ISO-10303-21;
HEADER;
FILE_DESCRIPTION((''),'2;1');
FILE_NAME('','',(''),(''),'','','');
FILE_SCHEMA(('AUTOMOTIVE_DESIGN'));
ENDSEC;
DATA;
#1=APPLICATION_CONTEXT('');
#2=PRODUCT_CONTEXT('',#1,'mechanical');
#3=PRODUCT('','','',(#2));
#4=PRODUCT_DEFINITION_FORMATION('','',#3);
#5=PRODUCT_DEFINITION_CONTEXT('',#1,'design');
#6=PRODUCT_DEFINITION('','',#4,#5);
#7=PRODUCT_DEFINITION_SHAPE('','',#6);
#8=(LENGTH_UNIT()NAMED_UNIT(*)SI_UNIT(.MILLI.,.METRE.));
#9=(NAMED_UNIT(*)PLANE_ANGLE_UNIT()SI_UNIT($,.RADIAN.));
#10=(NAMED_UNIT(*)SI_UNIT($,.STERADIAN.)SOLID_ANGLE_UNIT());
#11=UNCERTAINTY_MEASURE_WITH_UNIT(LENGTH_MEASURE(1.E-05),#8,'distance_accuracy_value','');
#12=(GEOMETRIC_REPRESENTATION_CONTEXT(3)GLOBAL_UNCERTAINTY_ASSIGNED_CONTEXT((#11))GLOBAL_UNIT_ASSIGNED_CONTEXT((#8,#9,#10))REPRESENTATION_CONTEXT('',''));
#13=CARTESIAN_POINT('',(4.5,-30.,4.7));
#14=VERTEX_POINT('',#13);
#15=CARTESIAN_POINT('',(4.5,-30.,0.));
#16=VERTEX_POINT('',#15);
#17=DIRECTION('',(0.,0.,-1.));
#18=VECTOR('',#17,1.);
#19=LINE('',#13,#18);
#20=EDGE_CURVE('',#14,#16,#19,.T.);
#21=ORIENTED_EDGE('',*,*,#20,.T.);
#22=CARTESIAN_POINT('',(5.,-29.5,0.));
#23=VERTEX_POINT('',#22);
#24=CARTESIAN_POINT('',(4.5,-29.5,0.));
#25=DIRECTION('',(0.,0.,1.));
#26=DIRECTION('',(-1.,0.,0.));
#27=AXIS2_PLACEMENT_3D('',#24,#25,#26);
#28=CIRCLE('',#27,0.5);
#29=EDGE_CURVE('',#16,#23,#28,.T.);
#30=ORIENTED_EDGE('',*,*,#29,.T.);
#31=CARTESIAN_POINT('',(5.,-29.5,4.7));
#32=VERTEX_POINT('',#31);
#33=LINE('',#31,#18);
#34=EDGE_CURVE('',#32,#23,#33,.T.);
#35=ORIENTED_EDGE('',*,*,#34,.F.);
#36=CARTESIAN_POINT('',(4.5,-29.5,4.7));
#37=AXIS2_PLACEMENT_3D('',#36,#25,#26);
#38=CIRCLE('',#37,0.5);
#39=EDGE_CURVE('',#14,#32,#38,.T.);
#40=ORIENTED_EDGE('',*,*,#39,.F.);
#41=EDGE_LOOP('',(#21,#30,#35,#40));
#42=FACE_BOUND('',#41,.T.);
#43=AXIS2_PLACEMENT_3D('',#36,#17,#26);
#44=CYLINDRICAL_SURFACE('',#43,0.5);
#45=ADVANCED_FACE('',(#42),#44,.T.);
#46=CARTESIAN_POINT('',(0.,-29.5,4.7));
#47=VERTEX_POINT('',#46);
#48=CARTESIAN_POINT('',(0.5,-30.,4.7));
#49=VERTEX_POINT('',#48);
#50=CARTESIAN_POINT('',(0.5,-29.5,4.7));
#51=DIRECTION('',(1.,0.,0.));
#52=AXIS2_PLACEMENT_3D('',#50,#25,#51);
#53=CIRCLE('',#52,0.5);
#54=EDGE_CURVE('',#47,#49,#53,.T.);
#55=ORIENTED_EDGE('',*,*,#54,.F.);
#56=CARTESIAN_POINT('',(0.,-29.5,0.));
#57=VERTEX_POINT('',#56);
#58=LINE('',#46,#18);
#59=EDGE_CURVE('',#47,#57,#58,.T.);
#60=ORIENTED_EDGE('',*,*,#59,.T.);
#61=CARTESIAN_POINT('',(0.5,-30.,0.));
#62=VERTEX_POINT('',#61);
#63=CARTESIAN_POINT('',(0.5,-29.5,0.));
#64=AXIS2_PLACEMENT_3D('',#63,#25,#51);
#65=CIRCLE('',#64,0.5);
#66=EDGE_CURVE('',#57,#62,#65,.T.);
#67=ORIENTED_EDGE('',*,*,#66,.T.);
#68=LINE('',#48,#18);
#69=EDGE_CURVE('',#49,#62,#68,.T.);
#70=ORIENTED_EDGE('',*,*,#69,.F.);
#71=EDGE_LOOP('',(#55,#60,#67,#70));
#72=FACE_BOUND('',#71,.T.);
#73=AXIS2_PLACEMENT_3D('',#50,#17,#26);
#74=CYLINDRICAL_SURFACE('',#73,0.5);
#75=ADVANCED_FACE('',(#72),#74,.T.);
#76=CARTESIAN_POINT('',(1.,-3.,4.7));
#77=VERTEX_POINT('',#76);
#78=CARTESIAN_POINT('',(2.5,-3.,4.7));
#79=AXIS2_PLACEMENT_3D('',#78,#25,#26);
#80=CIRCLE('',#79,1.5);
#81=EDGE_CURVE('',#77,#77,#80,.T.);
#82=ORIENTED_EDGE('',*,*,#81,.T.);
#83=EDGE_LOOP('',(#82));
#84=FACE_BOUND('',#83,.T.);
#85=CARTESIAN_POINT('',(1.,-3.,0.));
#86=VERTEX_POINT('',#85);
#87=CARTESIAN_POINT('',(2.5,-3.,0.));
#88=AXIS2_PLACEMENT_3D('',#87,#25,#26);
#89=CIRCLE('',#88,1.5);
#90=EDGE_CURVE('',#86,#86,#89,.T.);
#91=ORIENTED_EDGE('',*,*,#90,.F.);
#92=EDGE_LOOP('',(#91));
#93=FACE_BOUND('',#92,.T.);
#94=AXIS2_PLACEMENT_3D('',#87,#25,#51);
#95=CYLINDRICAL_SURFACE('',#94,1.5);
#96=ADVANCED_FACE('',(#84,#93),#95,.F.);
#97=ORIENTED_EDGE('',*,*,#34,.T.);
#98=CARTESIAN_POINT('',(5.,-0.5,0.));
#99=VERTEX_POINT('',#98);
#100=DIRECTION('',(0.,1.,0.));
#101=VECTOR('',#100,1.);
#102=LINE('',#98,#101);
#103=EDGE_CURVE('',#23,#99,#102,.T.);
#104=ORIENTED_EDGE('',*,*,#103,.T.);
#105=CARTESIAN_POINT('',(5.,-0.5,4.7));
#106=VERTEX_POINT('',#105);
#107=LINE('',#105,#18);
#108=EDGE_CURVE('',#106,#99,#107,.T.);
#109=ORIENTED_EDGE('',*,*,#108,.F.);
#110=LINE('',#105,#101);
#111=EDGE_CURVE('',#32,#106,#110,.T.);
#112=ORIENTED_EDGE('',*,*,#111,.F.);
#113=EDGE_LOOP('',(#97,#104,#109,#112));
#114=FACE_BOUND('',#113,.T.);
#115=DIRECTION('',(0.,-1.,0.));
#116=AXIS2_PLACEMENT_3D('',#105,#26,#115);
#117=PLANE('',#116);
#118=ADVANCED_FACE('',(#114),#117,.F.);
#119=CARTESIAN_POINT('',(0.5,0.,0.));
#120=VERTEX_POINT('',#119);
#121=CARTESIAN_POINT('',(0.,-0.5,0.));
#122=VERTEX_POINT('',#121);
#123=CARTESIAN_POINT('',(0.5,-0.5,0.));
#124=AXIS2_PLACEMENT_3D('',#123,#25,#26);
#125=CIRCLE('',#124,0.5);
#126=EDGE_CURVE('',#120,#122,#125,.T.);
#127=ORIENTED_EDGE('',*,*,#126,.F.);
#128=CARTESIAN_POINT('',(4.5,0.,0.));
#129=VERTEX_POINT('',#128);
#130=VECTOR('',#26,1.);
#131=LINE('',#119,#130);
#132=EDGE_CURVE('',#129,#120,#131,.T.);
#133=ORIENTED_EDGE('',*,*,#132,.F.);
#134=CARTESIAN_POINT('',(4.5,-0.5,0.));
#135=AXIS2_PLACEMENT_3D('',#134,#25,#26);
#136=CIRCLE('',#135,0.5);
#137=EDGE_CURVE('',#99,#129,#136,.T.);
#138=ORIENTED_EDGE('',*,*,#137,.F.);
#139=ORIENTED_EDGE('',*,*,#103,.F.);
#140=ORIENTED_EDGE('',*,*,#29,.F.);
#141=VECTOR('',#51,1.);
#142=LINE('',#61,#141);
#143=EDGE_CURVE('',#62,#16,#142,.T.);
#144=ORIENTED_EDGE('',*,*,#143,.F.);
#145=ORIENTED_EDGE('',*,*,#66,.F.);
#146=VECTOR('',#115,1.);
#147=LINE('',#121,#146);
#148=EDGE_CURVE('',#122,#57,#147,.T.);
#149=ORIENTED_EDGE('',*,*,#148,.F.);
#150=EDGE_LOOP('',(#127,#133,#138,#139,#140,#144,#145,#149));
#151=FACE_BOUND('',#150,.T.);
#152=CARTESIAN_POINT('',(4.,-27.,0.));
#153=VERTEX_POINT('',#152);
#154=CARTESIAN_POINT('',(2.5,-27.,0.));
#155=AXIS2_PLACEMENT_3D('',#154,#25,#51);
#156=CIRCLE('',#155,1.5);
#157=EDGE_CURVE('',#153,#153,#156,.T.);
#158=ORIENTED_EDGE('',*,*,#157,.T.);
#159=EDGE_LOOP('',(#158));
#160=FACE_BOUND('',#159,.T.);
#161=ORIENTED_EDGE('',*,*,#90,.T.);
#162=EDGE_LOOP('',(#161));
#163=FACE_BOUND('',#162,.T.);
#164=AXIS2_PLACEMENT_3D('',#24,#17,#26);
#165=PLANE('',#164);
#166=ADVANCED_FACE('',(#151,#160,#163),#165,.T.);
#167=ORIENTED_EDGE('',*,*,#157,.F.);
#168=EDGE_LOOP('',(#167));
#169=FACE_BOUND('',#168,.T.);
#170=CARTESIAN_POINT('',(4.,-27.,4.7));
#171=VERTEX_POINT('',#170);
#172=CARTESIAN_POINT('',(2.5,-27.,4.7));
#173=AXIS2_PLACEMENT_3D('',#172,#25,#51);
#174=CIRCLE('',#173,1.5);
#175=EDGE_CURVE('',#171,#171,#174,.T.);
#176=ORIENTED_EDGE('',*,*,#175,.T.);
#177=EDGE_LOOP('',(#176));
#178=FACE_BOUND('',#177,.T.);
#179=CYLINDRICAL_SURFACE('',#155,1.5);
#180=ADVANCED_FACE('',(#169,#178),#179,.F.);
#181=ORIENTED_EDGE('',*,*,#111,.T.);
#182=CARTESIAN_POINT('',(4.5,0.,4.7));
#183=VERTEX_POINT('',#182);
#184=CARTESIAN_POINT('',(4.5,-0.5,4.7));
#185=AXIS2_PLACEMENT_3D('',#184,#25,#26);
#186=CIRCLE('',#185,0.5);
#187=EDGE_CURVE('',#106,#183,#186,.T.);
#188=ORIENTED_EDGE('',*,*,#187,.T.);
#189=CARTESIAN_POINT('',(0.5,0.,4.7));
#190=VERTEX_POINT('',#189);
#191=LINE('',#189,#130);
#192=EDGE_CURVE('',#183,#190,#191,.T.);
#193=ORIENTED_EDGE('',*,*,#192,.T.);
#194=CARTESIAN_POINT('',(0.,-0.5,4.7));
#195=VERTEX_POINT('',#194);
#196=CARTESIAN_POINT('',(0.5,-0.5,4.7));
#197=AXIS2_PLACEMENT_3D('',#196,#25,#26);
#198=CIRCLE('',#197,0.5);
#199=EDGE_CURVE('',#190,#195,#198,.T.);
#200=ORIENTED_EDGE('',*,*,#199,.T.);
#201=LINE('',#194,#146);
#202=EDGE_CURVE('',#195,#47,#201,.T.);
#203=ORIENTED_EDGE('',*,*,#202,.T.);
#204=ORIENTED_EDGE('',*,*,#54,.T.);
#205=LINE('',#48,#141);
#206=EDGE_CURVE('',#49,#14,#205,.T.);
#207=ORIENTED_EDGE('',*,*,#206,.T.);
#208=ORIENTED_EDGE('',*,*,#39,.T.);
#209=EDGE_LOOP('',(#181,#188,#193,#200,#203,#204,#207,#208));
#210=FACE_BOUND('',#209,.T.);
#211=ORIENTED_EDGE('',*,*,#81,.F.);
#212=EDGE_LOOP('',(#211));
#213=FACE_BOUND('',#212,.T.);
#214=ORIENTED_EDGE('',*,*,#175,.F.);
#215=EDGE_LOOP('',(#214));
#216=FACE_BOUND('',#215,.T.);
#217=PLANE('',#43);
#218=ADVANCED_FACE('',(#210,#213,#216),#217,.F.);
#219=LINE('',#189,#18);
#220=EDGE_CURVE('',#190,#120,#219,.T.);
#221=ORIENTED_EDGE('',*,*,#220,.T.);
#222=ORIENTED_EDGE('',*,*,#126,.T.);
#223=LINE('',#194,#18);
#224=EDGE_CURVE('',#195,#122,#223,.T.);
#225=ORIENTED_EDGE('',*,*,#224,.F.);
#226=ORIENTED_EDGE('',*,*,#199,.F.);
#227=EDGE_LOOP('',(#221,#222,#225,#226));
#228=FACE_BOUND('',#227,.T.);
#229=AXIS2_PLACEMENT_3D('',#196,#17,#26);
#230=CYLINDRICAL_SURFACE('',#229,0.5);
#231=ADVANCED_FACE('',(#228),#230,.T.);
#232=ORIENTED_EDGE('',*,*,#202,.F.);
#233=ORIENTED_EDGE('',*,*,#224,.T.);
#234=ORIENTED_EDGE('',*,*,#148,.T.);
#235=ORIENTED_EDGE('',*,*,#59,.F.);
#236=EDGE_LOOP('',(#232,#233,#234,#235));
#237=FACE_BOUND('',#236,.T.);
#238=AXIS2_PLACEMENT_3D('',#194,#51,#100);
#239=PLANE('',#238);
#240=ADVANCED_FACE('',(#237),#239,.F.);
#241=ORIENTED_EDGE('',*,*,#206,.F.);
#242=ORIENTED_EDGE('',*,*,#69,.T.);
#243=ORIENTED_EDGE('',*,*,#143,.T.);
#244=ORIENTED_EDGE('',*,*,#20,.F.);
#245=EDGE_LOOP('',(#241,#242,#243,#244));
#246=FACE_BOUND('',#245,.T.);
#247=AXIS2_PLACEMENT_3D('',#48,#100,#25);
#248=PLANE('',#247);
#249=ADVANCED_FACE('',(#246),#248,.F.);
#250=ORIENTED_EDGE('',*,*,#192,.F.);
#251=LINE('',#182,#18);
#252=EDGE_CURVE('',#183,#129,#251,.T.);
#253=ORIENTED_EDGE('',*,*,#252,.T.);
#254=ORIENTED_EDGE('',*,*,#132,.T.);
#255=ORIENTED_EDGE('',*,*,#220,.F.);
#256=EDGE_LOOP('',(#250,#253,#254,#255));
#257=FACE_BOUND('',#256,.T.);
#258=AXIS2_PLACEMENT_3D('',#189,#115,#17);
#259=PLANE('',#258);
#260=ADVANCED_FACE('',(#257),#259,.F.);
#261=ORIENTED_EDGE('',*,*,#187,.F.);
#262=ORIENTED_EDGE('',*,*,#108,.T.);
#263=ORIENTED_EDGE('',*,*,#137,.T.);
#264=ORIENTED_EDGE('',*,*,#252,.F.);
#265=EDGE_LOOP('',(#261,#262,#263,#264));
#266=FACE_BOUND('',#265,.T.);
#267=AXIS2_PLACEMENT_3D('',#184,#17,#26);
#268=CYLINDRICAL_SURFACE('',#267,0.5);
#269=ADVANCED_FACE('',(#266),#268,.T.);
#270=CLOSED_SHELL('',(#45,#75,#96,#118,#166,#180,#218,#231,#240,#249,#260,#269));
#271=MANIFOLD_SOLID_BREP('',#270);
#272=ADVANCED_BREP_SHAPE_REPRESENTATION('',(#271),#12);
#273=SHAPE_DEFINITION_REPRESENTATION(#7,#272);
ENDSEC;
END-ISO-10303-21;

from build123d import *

# Parameters (mm, degrees)
BOSS_EXTRUDE1_DEPTH = 4.7
SKETCH2_R           = 1.5
CUT_EXTRUDE1_DEPTH  = 5.7


with BuildPart() as part:
    # Sketch1 → Boss-Extrude1 (new body)
    with BuildSketch(Plane.XY):
        with BuildLine():
            Line((0.5, 0), (4.5, 0))
            ThreePointArc((4.5, 0), (4.853553391, -0.146446609), (5, -0.5))
            Line((5, -0.5), (5, -29.5))
            ThreePointArc((5, -29.5), (4.853553391, -29.853553391), (4.5, -30))
            Line((4.5, -30), (0.5, -30))
            ThreePointArc((0.5, -30), (0.146446609, -29.853553391), (0, -29.5))
            Line((0, -29.5), (0, -0.5))
            ThreePointArc((0, -0.5), (0.146446609, -0.146446609), (0.5, 0))
        make_face()
    extrude(amount=BOSS_EXTRUDE1_DEPTH)

    # Sketch2 → Cut-Extrude1 (cut, through all)
    with BuildSketch(Plane.XY.offset(4.7)):
        with Locations((2.5, -27)):
            Circle(SKETCH2_R)
        with Locations((2.5, -3)):
            Circle(SKETCH2_R)
    extrude(amount=-CUT_EXTRUDE1_DEPTH, mode=Mode.SUBTRACT)


solid = part.part
